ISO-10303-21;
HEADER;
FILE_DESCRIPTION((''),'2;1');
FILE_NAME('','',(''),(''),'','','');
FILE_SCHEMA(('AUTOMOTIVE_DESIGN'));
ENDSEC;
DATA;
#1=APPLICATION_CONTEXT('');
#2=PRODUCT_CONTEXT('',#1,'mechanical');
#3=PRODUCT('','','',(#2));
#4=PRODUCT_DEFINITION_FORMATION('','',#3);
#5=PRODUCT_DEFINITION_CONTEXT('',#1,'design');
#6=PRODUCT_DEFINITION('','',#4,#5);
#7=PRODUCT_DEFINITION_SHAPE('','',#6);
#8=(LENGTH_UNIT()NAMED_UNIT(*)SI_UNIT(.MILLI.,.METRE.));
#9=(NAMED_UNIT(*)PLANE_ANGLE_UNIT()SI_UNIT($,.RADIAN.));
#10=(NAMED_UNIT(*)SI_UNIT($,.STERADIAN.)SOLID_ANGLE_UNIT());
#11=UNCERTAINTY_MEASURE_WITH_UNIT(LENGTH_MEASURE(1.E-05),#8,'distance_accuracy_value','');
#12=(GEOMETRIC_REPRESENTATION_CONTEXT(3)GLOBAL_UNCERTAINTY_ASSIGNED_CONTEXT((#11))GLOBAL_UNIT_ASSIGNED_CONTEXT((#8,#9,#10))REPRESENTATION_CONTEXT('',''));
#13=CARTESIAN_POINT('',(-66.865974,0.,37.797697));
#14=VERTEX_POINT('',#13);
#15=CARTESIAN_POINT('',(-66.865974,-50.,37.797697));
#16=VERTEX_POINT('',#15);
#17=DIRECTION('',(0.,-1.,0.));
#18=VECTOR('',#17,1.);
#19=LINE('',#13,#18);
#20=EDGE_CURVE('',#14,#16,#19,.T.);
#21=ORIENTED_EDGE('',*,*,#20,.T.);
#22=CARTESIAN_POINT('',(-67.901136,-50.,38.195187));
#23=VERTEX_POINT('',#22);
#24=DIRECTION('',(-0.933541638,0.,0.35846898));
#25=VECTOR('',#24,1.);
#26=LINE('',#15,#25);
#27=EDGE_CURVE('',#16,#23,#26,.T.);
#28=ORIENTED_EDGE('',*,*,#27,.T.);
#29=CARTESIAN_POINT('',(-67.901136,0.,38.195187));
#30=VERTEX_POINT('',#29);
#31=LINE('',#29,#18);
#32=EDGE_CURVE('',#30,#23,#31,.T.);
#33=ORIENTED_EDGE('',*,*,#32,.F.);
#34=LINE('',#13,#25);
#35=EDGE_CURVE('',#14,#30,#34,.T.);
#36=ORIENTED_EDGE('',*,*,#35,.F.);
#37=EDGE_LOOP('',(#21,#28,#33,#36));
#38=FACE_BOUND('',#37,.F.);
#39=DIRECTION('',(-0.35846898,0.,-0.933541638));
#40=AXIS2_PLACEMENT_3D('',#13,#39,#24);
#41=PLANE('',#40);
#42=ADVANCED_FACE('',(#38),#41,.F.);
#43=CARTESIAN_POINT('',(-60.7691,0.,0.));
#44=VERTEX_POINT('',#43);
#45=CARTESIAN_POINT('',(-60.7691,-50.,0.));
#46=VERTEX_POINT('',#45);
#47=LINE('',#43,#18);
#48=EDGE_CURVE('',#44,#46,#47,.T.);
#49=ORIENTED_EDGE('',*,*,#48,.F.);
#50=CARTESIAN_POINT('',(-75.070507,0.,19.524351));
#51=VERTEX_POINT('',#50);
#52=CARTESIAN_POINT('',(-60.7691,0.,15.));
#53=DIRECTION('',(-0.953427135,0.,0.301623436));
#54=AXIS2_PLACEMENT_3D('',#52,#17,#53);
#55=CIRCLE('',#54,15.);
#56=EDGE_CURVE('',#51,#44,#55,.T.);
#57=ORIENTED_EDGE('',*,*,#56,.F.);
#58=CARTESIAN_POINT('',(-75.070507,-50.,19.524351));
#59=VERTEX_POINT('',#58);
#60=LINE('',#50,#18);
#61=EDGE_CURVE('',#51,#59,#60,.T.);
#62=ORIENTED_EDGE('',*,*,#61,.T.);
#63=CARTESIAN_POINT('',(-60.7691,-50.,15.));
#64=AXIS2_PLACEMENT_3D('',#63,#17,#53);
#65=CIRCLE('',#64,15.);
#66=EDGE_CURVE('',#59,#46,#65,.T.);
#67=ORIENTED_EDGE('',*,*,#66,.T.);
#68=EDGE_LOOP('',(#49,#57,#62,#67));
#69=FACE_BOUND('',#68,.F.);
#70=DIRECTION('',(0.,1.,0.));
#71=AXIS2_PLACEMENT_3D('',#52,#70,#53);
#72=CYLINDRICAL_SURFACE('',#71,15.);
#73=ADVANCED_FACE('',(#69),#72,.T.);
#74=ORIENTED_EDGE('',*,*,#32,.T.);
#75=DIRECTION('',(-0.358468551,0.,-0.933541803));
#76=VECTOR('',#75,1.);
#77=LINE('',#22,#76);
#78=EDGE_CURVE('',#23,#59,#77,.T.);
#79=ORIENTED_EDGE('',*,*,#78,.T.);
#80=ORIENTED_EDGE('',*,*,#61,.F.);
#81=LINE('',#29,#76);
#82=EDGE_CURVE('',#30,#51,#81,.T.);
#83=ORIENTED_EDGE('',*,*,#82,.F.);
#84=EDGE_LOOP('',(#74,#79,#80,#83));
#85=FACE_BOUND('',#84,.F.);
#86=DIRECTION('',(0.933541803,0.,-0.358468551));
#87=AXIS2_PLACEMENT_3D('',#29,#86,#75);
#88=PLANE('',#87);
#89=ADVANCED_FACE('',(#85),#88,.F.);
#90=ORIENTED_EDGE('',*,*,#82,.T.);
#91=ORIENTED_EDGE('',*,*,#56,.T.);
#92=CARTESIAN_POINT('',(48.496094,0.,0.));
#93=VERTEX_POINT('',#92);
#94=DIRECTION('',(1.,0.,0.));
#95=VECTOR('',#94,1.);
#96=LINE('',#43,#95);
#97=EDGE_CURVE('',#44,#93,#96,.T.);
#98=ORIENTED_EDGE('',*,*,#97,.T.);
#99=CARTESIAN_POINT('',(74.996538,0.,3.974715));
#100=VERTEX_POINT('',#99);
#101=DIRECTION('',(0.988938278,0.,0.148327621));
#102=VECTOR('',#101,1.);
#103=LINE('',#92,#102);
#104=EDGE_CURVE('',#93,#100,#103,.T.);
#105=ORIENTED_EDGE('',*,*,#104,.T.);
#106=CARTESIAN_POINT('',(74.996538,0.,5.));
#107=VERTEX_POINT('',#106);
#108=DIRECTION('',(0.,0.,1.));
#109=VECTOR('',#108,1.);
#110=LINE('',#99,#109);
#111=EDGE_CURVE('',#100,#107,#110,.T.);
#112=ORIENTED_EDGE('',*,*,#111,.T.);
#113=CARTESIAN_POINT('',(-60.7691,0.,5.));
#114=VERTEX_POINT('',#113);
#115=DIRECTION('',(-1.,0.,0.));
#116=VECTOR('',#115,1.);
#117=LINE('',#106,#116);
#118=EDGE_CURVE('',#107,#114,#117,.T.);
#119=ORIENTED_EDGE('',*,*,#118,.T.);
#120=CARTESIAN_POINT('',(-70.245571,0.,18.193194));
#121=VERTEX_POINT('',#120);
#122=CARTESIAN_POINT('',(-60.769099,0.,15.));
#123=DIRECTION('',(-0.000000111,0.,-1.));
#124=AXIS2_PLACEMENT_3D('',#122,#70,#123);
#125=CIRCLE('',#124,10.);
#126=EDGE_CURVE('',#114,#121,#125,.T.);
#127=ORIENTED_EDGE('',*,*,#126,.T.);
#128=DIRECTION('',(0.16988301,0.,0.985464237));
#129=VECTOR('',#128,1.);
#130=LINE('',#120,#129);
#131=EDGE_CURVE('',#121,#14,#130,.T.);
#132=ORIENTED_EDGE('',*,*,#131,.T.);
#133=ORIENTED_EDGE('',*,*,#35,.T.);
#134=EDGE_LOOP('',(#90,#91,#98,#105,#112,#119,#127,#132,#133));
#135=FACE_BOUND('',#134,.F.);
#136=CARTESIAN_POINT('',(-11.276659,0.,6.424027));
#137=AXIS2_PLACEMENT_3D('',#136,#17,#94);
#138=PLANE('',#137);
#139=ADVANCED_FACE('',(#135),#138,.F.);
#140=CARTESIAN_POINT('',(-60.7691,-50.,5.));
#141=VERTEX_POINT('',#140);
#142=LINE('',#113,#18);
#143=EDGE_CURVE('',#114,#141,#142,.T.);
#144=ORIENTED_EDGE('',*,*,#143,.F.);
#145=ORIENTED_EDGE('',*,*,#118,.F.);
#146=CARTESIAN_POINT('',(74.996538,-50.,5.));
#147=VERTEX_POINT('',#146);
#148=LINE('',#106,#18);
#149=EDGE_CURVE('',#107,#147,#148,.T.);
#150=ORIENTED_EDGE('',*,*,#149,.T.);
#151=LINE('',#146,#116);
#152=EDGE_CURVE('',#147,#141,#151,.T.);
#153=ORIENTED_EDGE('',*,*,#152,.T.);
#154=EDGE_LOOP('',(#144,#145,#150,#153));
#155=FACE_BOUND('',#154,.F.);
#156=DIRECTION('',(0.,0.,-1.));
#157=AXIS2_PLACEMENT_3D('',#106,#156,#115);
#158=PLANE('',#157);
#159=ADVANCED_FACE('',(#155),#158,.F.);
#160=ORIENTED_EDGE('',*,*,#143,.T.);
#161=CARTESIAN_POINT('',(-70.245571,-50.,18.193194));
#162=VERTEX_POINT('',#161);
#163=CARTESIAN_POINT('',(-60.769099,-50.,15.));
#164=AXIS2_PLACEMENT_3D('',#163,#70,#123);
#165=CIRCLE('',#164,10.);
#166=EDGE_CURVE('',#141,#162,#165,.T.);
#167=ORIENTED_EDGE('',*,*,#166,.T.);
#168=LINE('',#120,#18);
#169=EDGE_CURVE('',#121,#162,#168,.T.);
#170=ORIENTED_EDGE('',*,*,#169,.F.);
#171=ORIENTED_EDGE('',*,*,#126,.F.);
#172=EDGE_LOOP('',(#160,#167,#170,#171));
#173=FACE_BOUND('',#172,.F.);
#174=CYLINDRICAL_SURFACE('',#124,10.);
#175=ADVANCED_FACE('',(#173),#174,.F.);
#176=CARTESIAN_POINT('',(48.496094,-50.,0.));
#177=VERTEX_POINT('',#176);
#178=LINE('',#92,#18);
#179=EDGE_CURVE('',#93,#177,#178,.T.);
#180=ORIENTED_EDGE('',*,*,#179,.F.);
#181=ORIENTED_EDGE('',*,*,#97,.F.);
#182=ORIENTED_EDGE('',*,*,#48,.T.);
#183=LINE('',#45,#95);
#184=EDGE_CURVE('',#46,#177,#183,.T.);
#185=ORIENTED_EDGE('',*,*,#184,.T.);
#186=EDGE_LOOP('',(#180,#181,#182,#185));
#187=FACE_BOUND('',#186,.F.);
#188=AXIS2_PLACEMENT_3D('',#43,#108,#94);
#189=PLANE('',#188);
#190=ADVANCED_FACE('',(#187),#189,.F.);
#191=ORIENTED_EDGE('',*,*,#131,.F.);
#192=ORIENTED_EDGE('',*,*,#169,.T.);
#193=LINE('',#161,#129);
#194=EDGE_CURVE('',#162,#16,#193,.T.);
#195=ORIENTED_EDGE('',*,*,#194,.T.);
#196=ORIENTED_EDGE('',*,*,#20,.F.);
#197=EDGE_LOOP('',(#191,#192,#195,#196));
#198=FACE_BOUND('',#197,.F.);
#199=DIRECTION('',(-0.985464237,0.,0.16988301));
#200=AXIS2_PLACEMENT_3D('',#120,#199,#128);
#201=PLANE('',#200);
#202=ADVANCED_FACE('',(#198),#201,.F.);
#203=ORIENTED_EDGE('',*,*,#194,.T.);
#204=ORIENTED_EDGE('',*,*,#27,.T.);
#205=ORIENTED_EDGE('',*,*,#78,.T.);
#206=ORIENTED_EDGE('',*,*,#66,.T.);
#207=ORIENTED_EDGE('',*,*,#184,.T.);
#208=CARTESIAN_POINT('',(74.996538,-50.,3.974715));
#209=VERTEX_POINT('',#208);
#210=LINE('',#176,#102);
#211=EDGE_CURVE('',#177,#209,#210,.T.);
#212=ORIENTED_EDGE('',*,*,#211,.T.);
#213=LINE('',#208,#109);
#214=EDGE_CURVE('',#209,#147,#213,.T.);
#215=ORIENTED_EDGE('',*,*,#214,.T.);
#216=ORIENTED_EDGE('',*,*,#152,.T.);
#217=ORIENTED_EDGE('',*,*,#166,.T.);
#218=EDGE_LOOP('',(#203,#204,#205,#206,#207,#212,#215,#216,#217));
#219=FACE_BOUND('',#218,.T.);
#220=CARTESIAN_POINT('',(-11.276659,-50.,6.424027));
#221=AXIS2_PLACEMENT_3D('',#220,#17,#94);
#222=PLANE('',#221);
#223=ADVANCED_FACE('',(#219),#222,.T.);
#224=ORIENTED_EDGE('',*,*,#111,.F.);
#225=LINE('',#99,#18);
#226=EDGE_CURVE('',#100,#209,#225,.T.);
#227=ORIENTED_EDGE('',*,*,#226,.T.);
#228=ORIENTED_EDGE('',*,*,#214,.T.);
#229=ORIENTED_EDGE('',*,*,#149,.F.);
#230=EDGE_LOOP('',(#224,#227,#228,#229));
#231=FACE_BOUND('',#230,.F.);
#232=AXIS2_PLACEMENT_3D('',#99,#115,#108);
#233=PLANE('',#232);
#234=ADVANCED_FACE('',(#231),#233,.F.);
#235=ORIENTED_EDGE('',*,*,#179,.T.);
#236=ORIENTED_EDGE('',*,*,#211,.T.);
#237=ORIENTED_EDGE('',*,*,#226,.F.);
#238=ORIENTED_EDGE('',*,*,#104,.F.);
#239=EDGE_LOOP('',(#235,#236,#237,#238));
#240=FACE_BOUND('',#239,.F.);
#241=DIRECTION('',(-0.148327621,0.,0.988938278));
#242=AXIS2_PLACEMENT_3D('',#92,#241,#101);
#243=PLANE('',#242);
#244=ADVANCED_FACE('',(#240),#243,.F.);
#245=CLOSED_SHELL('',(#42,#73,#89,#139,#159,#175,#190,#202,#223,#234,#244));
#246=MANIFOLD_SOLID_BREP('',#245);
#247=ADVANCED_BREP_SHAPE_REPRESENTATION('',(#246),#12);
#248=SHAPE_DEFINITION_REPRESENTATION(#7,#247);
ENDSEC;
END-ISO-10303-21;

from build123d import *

# Parameters (mm, degrees)
F1_DEPTH = 50


with BuildPart() as f1:
    # F0 (on Front) → F1 (new body)
    with BuildSketch(Plane.XZ):
        with BuildLine():
            Line((74.996538, 5), (-60.7691, 5))
            ThreePointArc((-60.7691, 5), (-68.891043, 9.166131), (-70.245571, 18.193194))
            Line((-70.245571, 18.193194), (-66.865974, 37.797697))
            Line((-66.865974, 37.797697), (-67.901136, 38.195187))
            Line((-67.901136, 38.195187), (-75.070507, 19.524351))
            ThreePointArc((-75.070507, 19.524351), (-72.870035, 6.136176), (-60.7691, 0))
            Line((-60.7691, 0), (48.496094, 0))
            Line((48.496094, 0), (74.996538, 3.974715))
            Line((74.996538, 3.974715), (74.996538, 5))
        make_face()
    extrude(amount=F1_DEPTH)


solid = f1.part
